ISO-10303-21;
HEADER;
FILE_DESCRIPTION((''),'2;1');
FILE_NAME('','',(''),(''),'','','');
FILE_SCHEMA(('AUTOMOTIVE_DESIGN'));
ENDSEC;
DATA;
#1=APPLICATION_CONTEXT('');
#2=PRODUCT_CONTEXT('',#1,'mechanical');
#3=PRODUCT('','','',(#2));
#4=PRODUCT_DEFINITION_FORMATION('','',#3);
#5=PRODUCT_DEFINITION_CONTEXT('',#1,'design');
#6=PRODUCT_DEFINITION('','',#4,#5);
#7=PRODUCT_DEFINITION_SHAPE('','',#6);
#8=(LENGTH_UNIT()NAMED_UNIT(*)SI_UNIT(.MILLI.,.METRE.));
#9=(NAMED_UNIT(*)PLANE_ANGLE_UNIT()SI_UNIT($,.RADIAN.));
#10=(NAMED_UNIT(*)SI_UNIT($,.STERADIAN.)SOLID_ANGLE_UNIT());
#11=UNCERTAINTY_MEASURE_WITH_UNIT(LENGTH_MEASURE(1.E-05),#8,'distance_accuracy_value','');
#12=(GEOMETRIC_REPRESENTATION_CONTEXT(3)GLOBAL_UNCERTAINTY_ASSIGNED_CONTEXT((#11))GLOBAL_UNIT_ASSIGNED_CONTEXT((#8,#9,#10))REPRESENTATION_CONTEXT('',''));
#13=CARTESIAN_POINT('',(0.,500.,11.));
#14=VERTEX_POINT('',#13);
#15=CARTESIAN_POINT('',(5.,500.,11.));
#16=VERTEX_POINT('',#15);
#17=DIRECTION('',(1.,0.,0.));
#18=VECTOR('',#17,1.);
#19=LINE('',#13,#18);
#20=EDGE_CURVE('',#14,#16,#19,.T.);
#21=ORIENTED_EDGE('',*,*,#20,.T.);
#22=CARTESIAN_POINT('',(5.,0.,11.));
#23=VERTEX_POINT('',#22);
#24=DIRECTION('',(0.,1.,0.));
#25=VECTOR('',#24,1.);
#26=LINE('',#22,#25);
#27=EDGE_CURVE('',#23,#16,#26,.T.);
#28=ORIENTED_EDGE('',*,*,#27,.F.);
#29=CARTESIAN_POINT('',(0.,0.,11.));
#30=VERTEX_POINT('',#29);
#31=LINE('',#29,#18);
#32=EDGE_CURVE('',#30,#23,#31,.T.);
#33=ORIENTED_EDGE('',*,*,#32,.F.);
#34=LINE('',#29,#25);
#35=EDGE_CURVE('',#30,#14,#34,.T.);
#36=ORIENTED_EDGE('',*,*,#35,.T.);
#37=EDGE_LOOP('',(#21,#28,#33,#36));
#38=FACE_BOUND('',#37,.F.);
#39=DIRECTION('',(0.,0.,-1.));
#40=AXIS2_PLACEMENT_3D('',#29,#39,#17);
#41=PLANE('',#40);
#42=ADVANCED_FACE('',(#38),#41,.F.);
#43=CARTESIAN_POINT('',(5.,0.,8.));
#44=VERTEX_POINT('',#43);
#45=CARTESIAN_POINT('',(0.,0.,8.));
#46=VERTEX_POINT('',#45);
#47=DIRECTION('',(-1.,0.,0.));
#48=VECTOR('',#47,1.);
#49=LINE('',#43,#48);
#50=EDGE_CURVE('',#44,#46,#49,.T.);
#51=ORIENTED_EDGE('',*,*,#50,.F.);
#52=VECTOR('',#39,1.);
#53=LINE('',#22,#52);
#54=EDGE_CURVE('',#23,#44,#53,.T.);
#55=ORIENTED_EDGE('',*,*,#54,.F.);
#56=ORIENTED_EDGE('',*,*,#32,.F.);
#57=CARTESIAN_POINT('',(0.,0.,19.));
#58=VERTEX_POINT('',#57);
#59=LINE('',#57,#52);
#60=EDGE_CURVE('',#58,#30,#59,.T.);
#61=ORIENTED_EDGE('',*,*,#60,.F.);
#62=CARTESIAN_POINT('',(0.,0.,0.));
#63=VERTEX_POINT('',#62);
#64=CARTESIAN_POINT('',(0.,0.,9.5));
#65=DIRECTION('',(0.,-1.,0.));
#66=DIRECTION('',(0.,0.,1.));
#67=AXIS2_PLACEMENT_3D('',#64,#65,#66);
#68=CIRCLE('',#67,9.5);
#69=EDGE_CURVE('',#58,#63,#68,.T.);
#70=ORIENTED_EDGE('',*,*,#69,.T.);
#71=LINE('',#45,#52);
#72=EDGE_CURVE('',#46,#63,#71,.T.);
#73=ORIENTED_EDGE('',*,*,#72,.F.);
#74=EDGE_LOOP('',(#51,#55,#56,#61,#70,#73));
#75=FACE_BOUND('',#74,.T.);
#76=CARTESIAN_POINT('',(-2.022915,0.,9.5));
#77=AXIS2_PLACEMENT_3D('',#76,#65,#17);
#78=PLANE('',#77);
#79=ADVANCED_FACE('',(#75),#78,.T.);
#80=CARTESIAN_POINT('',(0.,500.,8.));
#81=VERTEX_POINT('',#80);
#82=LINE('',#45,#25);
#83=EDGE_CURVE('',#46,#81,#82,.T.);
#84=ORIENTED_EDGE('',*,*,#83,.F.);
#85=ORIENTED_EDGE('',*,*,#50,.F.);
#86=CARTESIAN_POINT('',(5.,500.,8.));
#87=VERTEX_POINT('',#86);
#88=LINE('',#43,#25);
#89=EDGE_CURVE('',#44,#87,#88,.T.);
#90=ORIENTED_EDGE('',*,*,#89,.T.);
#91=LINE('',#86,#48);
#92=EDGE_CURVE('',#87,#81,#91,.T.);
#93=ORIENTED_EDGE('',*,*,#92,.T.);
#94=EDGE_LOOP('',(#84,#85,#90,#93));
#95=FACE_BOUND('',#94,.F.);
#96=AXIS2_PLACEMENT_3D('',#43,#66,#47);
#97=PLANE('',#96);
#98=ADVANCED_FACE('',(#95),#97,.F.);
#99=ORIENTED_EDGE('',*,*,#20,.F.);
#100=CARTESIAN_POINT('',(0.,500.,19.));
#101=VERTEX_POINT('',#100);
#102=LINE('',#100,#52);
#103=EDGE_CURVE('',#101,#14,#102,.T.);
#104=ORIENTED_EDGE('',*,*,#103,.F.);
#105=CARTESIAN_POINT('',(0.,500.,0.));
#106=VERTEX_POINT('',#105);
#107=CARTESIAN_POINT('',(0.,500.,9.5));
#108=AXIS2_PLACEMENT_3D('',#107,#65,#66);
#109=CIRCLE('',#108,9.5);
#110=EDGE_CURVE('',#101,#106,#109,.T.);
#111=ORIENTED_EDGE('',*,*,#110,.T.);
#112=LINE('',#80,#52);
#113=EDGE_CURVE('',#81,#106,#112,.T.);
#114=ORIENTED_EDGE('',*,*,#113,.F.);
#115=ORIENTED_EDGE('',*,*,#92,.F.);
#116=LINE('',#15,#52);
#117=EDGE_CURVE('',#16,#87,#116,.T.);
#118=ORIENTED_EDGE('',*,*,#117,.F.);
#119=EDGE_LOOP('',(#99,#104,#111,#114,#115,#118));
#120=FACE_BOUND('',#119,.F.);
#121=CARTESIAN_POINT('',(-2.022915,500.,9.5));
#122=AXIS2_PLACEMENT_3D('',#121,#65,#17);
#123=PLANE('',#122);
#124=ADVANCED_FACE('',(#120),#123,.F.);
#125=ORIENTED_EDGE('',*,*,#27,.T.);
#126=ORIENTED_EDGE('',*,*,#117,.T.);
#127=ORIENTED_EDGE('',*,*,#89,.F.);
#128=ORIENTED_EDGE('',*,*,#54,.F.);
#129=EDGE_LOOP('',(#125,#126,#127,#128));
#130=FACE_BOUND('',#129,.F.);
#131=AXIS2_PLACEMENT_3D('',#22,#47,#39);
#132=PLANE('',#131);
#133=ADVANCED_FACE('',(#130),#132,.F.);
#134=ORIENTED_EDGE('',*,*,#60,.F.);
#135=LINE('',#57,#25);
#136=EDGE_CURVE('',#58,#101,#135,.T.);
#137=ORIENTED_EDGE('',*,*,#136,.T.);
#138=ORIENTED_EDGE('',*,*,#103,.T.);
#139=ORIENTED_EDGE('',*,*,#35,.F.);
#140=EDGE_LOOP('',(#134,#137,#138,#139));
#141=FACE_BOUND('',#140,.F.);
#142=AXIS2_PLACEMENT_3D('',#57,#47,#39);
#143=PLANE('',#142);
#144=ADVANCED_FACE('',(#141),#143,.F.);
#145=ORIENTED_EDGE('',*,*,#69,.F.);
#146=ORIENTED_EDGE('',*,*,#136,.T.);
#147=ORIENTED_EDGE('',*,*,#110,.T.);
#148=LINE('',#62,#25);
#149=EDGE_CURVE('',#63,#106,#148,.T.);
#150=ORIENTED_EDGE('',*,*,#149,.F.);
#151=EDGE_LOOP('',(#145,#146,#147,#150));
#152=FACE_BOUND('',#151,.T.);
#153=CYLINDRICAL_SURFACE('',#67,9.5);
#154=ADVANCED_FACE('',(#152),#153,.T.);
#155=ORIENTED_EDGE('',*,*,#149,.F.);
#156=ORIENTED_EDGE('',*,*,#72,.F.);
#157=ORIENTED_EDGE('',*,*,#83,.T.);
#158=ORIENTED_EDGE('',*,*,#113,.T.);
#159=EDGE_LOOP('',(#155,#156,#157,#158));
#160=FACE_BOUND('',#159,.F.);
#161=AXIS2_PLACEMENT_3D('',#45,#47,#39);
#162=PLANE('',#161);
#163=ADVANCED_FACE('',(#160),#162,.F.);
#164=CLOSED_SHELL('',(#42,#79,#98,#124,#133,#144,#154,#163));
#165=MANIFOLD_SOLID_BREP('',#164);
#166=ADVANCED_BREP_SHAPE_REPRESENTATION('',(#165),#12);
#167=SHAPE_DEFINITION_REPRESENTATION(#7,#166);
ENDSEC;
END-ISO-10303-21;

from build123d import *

# Parameters (mm, degrees)
PAD_DEPTH = 500


with BuildPart() as part:
    # Sketch002 → Pad (new body)
    with BuildSketch(Plane.XZ):
        with BuildLine():
            ThreePointArc((0, 19), (-9.5, 9.5), (0, 0))
            Line((0, 8), (0, 0))
            Line((5, 8), (0, 8))
            Line((5, 11), (5, 8))
            Line((0, 11), (5, 11))
            Line((0, 19), (0, 11))
        make_face()
    extrude(amount=-PAD_DEPTH)


solid = part.part
